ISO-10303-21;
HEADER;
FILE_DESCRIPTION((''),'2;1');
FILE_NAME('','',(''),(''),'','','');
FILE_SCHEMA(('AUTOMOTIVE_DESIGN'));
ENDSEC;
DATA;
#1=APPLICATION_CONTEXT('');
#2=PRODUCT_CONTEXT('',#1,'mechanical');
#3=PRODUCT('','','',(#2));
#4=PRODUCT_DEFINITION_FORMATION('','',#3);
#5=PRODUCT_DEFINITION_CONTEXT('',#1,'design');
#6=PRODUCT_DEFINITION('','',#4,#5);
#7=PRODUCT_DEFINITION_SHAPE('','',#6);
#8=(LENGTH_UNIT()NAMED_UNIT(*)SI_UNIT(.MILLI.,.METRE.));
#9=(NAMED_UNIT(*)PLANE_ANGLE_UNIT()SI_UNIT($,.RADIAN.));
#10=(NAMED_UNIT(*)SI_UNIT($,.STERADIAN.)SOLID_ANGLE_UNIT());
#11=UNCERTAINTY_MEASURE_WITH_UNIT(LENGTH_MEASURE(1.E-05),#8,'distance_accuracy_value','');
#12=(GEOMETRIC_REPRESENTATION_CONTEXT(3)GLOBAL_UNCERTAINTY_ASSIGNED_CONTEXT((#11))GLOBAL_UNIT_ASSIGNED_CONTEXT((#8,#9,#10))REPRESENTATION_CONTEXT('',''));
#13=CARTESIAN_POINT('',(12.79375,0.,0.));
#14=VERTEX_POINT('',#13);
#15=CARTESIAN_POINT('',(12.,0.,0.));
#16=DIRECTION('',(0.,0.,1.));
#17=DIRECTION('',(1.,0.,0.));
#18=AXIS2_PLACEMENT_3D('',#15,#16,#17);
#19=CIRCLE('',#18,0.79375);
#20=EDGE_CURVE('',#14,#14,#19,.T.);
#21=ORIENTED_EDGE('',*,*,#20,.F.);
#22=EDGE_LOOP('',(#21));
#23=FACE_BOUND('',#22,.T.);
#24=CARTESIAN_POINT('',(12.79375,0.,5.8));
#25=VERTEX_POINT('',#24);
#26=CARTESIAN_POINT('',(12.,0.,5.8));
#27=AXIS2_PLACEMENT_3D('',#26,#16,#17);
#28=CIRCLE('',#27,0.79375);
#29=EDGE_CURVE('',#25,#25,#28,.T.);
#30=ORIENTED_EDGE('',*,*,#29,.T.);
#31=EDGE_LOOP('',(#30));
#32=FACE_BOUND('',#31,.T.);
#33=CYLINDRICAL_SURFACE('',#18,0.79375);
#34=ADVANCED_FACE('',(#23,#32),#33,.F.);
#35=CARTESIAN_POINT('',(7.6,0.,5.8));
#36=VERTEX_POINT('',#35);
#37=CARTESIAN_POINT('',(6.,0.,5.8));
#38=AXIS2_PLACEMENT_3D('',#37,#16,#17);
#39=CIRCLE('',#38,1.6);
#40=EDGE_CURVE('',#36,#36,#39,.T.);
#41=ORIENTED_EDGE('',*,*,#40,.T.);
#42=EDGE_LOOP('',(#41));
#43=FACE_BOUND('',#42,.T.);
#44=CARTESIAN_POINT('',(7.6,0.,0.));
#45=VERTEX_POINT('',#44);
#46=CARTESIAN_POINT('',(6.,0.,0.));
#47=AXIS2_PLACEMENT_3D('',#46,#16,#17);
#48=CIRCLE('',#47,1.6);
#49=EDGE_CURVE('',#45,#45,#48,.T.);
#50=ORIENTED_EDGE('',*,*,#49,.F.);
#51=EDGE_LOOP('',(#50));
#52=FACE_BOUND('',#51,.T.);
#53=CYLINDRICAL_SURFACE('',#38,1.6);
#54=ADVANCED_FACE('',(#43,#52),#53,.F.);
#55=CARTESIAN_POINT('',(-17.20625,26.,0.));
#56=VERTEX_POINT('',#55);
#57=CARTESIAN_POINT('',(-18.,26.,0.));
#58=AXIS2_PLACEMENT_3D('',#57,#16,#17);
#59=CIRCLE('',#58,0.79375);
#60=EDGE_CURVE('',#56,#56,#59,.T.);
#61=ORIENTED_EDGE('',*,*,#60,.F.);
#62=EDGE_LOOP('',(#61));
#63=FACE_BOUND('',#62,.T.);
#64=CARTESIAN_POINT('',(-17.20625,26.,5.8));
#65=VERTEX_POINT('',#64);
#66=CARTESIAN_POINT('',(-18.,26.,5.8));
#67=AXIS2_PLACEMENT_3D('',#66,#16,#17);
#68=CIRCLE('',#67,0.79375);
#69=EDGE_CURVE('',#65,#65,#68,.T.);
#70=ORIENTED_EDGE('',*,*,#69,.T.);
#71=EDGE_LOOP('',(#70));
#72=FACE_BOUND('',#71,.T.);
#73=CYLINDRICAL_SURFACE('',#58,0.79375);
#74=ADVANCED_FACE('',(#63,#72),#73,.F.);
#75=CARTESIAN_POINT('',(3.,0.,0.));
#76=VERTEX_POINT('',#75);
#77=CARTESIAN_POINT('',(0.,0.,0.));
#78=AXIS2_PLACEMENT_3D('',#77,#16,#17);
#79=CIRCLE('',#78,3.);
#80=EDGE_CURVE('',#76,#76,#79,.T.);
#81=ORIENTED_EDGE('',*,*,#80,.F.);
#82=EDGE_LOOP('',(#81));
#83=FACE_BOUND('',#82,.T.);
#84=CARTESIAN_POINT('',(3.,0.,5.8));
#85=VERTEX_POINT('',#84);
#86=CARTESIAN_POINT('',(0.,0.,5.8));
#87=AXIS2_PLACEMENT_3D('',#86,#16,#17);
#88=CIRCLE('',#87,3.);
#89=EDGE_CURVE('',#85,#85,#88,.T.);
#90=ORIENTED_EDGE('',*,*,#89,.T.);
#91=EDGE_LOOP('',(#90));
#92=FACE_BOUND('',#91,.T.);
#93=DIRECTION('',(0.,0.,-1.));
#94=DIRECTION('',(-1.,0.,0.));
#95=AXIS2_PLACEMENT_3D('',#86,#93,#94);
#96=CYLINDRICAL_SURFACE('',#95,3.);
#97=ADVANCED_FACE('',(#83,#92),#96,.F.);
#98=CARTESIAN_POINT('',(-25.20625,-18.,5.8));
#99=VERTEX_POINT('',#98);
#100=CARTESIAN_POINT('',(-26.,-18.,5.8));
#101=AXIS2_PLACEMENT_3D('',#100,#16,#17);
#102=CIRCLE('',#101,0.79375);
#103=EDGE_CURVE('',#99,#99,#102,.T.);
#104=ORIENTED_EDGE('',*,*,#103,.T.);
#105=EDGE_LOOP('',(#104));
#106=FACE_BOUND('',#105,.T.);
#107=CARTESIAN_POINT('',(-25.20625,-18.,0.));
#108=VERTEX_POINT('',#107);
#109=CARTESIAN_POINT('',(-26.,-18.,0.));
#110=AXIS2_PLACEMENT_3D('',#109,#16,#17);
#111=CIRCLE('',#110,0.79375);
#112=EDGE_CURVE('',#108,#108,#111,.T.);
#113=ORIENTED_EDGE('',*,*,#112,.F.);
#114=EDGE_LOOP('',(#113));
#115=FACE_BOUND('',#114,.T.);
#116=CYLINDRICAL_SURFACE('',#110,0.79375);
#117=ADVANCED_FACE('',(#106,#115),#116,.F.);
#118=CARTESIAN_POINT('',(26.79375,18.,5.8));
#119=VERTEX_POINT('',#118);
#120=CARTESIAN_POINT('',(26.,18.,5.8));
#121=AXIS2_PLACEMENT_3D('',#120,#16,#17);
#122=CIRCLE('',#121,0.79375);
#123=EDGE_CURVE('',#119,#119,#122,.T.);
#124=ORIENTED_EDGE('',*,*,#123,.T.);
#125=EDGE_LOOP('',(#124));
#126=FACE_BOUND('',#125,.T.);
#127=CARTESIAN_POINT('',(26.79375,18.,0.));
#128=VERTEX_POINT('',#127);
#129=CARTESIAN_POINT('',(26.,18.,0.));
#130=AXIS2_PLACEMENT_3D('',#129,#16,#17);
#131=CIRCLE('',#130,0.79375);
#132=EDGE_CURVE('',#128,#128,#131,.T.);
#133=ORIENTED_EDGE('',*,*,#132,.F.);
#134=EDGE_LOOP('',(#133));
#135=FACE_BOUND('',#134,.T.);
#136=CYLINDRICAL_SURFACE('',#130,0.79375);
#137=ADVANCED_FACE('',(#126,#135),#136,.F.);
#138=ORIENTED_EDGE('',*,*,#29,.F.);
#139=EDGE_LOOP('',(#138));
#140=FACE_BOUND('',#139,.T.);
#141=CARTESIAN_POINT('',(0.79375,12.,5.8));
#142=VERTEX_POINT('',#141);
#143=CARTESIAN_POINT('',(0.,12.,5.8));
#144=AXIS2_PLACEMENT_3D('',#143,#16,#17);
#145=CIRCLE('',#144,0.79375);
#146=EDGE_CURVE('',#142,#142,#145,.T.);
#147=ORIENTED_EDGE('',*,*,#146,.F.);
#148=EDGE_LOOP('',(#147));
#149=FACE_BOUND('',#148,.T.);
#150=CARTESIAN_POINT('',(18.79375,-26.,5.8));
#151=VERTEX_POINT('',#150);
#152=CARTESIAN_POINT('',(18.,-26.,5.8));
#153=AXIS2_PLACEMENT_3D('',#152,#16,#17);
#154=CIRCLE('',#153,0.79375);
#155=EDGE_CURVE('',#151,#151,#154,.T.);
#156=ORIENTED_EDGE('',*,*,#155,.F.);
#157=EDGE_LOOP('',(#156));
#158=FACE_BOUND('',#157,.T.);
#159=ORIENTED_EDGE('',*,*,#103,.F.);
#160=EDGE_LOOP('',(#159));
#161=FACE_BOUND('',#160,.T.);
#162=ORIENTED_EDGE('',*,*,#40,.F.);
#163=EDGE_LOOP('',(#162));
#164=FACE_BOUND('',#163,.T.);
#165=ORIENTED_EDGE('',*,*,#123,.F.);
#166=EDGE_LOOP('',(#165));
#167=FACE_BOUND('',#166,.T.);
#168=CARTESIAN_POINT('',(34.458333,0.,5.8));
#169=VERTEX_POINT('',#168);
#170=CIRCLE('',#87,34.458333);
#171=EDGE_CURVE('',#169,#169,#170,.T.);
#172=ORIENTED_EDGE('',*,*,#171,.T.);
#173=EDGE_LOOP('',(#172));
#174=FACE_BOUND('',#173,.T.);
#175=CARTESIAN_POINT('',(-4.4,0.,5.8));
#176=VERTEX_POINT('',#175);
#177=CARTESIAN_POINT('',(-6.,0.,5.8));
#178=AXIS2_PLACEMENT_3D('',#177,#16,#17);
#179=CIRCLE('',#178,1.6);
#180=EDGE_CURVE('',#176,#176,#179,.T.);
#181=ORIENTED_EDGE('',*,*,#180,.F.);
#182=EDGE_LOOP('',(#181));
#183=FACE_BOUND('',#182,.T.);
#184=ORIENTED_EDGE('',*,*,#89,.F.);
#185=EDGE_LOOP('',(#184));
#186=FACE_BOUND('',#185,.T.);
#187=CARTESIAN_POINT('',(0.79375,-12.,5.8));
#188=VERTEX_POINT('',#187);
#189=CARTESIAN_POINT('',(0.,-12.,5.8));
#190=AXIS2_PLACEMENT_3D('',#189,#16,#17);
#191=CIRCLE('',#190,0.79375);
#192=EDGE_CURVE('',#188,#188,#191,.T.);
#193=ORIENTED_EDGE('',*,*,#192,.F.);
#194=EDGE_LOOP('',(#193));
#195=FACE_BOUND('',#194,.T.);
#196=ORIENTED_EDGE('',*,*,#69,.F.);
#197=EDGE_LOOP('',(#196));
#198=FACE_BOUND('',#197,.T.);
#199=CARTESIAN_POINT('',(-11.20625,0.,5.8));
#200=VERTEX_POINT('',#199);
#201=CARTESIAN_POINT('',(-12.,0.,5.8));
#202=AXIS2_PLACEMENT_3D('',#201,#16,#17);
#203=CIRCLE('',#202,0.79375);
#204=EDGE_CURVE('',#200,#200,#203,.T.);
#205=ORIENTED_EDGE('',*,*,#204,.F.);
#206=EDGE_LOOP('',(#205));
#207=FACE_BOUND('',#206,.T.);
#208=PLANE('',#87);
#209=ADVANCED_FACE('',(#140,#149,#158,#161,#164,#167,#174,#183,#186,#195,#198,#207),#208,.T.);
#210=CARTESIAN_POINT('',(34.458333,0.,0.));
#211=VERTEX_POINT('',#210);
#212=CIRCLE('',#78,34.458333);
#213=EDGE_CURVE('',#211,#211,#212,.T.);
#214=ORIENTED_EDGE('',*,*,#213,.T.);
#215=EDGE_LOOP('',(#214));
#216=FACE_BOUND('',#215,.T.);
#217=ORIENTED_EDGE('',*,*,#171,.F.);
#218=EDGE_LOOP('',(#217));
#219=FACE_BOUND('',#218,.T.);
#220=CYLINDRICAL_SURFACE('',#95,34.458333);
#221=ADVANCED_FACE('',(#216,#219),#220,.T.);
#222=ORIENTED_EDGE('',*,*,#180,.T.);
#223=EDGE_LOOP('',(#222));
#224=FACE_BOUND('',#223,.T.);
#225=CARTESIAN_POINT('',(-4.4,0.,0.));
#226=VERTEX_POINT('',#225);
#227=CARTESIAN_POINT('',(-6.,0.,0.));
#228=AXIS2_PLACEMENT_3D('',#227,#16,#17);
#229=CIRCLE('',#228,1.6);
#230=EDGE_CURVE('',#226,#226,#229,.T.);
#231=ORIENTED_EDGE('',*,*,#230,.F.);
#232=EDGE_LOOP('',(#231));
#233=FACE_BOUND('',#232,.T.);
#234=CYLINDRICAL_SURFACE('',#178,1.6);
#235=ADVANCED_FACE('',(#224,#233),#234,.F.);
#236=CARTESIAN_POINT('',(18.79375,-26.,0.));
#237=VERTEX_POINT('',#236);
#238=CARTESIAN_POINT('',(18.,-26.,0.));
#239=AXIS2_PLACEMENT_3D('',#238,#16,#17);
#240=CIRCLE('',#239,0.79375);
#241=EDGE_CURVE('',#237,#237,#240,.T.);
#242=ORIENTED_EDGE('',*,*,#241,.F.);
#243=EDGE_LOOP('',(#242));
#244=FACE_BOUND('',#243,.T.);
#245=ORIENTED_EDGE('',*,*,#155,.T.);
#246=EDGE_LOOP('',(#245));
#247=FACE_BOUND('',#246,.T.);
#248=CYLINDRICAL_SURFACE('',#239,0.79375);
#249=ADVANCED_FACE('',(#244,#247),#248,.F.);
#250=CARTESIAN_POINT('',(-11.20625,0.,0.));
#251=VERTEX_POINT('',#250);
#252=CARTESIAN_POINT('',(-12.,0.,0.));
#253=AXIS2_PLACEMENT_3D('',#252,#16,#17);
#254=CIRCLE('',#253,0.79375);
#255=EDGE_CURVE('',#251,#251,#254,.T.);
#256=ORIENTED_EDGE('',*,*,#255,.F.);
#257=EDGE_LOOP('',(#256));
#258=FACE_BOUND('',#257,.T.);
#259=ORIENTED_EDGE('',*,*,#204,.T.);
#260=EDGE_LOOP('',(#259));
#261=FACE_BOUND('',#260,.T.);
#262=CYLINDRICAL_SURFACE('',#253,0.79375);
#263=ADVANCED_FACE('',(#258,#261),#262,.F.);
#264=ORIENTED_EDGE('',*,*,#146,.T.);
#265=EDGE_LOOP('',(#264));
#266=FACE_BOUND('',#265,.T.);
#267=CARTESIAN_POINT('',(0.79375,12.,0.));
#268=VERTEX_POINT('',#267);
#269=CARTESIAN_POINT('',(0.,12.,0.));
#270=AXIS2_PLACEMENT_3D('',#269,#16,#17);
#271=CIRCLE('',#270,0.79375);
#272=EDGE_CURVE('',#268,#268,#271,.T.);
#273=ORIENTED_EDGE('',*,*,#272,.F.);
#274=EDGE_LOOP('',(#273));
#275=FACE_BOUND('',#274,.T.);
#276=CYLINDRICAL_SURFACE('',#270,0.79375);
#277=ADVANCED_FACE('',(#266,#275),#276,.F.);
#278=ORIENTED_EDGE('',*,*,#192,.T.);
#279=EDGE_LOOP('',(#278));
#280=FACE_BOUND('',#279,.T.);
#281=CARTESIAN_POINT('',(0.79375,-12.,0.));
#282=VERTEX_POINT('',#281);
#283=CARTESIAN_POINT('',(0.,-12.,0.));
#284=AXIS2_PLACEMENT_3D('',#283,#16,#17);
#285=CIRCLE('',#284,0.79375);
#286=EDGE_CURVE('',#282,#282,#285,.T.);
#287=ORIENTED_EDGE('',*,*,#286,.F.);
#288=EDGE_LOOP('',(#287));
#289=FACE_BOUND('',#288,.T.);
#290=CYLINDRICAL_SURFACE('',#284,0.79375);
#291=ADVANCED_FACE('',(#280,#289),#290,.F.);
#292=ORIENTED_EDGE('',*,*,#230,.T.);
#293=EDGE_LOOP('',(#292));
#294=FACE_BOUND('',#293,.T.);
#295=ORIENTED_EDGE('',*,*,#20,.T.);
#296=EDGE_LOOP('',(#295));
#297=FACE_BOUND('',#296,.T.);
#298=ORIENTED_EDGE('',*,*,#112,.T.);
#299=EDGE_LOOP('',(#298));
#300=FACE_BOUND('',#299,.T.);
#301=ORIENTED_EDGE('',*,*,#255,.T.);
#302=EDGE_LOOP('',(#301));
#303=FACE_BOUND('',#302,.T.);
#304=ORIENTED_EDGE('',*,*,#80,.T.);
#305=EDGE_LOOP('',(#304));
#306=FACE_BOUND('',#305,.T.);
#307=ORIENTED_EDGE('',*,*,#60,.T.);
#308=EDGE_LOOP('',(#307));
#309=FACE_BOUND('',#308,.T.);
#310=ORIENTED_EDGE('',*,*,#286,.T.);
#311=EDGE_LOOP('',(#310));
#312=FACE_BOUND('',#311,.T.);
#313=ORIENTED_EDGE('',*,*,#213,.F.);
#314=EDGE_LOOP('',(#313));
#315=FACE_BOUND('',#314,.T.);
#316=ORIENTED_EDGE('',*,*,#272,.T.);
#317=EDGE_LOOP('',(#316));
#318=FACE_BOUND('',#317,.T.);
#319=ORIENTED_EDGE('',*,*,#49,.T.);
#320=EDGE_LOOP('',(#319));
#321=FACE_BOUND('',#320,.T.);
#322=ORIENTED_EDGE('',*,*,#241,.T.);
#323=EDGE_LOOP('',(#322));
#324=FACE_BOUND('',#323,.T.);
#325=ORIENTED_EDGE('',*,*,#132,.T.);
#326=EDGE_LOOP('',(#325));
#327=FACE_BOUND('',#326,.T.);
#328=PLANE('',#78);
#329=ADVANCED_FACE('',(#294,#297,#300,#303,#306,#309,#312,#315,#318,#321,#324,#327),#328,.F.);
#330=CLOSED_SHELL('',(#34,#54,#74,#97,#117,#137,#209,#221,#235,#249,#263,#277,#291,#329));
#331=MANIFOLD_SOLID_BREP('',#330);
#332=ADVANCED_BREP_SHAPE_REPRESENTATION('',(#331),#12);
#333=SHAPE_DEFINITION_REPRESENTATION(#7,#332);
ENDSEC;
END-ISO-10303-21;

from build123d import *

# Parameters (mm, degrees)
SKETCH1_R                = 34.458333333
SKETCH1_R_2              = 3
BOSS_EXTRUDE1_DEPTH      = 5.8
SKETCH2_R                = 0.79375
CUT_EXTRUDE1_DEPTH       = 50.075385604
M3_CLEARANCE_HOLE1_D     = 3.2
M3_CLEARANCE_HOLE1_DEPTH = 12.7
M3_CLEARANCE_HOLE1_TIP   = 0.96137699


with BuildPart() as part:
    # Sketch1 → Boss-Extrude1 (new body)
    with BuildSketch(Plane.XY):
        Circle(SKETCH1_R)
        Circle(SKETCH1_R_2, mode=Mode.SUBTRACT)
    extrude(amount=BOSS_EXTRUDE1_DEPTH)

    # Sketch2 → Cut-Extrude1 (cut, through all)
    with BuildSketch(Plane.XY.offset(5.8)):
        with Locations((0, 12)):
            Circle(SKETCH2_R)
        with Locations((12, 0)):
            Circle(SKETCH2_R)
        with Locations((0, -12)):
            Circle(SKETCH2_R)
        with Locations((-12, 0)):
            Circle(SKETCH2_R)
        with Locations((-18, 26)):
            Circle(SKETCH2_R)
        with Locations((26, 18)):
            Circle(SKETCH2_R)
        with Locations((18, -26)):
            Circle(SKETCH2_R)
        with Locations((-26, -18)):
            Circle(SKETCH2_R)
    extrude(amount=-CUT_EXTRUDE1_DEPTH, mode=Mode.SUBTRACT)

    # M3 Clearance Hole1
    with Locations(Plane.XY.offset(5.8)):
        with Locations((-6, 0), (6, 0)):
            Hole(M3_CLEARANCE_HOLE1_D / 2, depth=M3_CLEARANCE_HOLE1_DEPTH)
            with Locations((0, 0, -(M3_CLEARANCE_HOLE1_DEPTH + M3_CLEARANCE_HOLE1_TIP / 2))):  # 118° drill point
                Cone(0, M3_CLEARANCE_HOLE1_D / 2, M3_CLEARANCE_HOLE1_TIP, mode=Mode.SUBTRACT)


solid = part.part
